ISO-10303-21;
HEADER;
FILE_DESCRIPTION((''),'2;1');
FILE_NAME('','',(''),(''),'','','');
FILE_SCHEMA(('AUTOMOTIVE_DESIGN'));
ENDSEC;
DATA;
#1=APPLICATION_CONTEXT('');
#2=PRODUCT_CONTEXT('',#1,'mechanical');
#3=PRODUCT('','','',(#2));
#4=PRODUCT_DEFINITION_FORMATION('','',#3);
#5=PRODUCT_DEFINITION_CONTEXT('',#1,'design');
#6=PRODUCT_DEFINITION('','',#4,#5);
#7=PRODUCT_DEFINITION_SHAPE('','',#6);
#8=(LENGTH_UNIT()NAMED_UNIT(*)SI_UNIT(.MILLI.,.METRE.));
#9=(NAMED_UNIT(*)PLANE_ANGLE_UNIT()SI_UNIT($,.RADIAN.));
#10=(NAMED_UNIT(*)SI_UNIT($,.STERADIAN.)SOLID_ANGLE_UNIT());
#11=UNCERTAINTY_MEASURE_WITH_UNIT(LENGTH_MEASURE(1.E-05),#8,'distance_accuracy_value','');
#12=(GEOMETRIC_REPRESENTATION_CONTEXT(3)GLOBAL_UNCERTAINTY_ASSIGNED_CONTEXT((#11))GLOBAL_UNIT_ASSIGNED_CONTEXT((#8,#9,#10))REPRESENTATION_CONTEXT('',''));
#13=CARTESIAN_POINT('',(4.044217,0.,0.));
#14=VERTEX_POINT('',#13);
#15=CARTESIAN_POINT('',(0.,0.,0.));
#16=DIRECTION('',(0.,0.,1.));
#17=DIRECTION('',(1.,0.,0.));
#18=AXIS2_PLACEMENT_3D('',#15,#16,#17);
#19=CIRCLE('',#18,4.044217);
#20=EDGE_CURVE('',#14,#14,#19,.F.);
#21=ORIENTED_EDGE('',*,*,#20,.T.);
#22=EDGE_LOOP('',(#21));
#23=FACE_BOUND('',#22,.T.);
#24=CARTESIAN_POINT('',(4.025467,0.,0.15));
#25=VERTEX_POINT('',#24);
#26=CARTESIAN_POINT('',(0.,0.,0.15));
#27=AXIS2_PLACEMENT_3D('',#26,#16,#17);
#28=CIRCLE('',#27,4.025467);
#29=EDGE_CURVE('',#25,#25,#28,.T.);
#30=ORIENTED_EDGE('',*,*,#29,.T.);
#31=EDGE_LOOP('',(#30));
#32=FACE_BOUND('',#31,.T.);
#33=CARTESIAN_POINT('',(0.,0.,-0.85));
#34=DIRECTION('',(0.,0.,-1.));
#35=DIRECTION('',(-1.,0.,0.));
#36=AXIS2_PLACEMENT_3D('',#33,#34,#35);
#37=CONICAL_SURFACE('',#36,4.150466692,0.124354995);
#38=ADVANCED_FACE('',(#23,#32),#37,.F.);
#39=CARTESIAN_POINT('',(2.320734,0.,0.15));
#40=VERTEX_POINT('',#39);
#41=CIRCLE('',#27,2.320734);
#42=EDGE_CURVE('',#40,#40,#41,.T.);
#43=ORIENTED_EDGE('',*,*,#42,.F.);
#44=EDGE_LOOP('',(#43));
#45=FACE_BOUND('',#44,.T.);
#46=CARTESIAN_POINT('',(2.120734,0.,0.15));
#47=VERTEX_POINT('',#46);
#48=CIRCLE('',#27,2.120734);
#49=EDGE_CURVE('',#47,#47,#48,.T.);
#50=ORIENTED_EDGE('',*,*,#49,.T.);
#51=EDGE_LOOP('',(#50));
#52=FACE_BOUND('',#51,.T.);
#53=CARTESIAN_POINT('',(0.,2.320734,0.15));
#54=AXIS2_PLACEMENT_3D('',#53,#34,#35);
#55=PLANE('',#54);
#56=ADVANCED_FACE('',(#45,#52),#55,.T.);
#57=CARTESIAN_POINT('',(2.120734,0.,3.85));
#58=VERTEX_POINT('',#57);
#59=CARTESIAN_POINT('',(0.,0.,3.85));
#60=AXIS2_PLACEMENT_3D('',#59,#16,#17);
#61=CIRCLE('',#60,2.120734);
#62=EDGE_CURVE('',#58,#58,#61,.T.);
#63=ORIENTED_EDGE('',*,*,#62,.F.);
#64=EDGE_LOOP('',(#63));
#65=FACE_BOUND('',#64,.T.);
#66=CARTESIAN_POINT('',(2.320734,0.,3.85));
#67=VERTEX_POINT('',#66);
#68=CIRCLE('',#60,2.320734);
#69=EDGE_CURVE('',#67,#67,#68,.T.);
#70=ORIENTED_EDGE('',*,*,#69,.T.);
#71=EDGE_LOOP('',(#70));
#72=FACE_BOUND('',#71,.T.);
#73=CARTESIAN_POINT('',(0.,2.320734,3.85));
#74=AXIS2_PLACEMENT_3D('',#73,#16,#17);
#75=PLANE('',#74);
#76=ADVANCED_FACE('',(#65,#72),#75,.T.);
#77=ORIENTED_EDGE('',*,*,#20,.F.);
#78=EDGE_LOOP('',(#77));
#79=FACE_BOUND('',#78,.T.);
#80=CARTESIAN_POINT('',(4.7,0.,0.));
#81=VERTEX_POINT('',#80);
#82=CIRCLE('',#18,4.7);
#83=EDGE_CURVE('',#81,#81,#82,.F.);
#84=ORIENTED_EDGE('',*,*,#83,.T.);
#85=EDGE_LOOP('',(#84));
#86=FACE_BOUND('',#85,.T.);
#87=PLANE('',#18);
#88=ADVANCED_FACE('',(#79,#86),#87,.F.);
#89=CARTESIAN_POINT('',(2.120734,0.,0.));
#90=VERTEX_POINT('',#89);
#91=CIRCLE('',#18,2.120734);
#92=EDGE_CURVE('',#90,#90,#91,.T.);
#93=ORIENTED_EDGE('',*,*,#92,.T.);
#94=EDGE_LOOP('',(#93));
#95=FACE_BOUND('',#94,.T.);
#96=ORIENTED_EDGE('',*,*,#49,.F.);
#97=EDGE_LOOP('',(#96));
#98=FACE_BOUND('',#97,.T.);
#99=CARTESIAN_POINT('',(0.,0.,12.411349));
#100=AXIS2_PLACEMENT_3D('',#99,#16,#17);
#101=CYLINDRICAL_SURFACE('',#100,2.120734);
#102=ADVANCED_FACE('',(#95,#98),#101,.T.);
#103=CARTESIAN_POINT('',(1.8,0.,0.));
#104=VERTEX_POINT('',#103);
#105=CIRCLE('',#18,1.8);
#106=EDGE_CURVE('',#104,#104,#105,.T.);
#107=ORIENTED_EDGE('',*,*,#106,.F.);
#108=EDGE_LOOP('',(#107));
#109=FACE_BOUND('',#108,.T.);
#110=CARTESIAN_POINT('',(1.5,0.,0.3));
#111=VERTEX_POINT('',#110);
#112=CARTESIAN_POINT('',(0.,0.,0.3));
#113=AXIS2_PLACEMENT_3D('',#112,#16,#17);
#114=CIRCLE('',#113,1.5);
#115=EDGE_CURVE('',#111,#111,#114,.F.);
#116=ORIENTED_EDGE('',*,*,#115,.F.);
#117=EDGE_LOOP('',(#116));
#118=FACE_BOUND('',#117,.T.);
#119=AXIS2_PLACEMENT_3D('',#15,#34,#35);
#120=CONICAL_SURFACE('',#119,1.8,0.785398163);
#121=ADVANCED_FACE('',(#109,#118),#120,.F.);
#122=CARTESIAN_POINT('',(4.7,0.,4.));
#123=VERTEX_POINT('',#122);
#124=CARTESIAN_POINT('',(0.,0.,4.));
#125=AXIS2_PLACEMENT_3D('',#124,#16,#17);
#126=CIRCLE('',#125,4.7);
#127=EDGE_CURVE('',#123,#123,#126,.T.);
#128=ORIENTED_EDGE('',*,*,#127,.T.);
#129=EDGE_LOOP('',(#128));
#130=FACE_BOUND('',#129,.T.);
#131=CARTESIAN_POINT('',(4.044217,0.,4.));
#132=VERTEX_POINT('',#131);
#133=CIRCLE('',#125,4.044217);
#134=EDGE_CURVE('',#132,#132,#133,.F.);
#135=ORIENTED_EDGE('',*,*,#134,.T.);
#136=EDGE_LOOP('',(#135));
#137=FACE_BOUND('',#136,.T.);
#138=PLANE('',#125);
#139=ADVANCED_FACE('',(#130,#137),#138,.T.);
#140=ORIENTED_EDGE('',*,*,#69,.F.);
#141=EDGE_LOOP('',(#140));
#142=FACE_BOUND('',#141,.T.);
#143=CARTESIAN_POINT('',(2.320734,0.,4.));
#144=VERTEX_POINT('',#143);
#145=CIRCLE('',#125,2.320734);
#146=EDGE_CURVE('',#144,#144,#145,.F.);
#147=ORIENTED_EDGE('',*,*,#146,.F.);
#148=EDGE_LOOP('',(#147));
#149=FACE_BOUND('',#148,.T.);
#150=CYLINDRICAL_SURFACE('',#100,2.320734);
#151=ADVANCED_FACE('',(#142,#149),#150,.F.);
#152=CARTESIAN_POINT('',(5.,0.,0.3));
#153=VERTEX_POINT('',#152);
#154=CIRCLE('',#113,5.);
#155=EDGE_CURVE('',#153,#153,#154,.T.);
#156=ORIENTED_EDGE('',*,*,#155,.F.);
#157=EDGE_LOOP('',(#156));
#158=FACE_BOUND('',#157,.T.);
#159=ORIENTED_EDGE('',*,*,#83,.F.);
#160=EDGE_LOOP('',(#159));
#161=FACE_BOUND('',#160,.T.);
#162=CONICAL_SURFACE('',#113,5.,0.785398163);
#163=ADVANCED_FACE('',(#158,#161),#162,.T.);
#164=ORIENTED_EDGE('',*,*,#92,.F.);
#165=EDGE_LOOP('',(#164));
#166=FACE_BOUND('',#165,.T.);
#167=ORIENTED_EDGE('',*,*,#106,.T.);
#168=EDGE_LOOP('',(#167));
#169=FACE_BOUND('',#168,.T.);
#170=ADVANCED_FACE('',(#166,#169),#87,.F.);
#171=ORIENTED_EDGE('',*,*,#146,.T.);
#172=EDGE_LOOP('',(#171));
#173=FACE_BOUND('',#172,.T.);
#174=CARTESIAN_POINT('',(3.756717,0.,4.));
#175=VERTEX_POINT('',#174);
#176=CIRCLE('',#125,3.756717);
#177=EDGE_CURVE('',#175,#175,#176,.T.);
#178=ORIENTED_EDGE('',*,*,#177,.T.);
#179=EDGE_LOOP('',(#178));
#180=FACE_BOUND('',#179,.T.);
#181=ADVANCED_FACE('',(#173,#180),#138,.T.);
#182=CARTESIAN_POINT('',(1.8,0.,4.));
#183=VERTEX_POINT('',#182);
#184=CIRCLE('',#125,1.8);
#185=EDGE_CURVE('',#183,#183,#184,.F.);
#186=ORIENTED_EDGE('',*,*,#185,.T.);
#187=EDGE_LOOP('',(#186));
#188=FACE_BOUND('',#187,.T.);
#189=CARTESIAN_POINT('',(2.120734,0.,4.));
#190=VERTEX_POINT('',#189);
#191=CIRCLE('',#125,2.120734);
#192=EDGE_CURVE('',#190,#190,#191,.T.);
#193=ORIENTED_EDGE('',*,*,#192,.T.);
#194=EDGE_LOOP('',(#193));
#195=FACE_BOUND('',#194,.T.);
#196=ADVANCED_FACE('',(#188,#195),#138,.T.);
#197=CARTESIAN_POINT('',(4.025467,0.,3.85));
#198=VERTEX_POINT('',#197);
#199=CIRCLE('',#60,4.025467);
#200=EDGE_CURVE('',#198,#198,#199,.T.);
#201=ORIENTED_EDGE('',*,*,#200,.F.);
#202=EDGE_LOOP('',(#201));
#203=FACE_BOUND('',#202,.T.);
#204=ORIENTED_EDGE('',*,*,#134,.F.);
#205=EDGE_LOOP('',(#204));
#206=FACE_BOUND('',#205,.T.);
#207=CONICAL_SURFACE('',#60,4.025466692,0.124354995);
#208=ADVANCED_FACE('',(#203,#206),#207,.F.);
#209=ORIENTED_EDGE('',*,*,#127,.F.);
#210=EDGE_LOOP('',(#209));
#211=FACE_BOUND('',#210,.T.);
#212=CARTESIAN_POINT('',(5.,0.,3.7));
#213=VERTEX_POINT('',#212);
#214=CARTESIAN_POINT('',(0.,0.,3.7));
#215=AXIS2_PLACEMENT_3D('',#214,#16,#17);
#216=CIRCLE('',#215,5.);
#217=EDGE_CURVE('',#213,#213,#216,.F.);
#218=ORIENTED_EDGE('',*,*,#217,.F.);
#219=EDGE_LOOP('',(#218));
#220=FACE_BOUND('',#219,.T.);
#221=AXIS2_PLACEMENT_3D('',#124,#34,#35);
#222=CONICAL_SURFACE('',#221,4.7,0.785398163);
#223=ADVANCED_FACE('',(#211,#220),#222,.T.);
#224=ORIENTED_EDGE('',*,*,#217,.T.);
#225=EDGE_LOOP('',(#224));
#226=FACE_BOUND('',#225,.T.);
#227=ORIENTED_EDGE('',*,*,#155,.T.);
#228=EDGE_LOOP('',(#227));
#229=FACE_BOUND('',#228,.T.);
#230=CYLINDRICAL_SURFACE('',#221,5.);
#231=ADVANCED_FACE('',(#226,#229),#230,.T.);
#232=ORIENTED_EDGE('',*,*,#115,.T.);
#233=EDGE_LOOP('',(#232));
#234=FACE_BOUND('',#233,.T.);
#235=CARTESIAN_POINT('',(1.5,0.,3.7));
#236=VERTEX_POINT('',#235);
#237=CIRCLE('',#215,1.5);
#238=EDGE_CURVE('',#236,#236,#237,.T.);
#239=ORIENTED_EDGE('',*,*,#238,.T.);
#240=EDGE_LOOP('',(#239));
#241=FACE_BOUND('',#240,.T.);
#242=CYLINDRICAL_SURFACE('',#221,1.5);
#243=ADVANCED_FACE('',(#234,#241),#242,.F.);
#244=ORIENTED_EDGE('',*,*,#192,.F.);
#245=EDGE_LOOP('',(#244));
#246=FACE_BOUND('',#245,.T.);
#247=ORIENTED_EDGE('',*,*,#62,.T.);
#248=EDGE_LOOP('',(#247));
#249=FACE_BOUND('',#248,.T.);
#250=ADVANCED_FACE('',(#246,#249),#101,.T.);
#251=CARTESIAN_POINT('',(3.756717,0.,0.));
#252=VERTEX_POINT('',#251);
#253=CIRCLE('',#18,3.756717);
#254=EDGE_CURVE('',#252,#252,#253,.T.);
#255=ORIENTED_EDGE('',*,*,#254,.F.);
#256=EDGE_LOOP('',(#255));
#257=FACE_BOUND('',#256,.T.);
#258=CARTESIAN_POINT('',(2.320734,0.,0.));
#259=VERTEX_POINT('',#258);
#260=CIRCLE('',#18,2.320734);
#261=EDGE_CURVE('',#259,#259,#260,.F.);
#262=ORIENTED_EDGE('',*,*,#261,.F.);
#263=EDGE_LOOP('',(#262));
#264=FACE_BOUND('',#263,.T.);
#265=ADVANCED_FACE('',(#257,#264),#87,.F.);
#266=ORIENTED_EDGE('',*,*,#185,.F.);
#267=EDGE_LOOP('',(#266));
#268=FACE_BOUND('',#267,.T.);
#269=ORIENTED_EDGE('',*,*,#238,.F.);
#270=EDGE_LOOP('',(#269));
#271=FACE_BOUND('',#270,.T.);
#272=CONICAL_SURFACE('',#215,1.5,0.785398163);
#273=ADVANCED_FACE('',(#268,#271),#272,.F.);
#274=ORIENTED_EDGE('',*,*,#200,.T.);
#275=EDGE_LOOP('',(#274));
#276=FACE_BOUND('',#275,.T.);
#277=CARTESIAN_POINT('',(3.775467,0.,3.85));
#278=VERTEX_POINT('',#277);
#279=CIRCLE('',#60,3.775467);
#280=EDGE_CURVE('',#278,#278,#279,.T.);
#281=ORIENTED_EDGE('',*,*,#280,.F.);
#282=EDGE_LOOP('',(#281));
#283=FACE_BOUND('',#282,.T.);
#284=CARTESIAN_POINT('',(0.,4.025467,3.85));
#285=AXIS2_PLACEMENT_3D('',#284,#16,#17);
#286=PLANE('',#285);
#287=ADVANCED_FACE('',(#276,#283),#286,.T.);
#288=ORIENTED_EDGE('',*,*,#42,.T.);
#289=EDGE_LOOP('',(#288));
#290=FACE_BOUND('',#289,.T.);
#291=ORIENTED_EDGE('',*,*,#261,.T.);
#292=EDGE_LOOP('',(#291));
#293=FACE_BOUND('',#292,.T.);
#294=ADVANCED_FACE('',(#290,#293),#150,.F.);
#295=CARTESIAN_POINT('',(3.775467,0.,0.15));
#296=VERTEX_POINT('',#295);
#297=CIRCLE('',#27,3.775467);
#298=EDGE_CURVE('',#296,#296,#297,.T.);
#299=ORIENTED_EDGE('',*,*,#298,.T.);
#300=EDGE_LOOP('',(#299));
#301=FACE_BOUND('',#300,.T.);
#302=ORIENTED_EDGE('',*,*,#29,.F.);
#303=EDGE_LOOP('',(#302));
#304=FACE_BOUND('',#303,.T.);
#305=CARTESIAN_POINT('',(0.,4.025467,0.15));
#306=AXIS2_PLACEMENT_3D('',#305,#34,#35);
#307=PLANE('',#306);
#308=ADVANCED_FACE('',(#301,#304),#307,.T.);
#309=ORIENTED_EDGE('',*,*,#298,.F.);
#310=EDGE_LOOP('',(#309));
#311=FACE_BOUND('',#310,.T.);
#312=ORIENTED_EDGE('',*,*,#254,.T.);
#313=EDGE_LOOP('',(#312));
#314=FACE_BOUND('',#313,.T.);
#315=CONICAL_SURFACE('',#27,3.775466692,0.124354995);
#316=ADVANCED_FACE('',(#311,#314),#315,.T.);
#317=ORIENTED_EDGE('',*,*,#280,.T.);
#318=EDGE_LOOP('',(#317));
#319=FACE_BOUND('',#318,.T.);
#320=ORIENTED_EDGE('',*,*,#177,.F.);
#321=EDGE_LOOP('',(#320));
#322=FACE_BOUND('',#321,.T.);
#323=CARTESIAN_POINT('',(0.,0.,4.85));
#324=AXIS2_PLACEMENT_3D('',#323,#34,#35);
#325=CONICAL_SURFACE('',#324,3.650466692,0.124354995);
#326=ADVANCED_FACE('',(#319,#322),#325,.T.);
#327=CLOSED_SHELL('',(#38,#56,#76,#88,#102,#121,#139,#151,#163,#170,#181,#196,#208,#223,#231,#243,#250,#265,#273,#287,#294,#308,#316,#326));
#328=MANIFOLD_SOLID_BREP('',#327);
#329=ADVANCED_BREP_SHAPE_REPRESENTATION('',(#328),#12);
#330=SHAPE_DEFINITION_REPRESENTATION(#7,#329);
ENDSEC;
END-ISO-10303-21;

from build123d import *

# Parameters (mm, degrees)
CROQUIS1_R              = 5
CROQUIS1_R_2            = 1.5
SALIENTE_EXTRUIR1_DEPTH = 4
CHAFL_N1_SIZE           = 0.3
CROQUIS2_W              = 1
CROQUIS2_H              = 0.2


with BuildPart() as part:
    # Croquis1 → Saliente-Extruir1 (new body)
    with BuildSketch(Plane.XY):
        Circle(CROQUIS1_R)
        Circle(CROQUIS1_R_2, mode=Mode.SUBTRACT)
    extrude(amount=SALIENTE_EXTRUIR1_DEPTH)

    # Chaflán1
    chafl_n1_edges = [part.edges().sort_by_distance(p)[0] for p in [
        (-5, 0, 0),
        (-5, 0, 4),
        (-1.5, 0, 0),
        (-1.5, 0, 4),
    ]]
    chamfer(chafl_n1_edges, length=CHAFL_N1_SIZE)

    # Croquis2 → Cortar-Revolución1 (revolve, cut)
    with BuildSketch(Plane(origin=(0, 0, 0), x_dir=(0, 0, -1), z_dir=(1, 0, 0))):
        Polygon((-4.85, 4.150466692), (-3.85, 4.025466692), (-3.85, 3.775466692), (-4.85, 3.650466692), align=None)
        Polygon((0.85, 3.650466692), (0.85, 4.150466692), (-0.15, 4.025466692), (-0.15, 3.775466692), align=None)
        with Locations((-4.35, 2.220733596)):
            Rectangle(CROQUIS2_W, CROQUIS2_H)
        with Locations((0.35, 2.220733596)):
            Rectangle(CROQUIS2_W, CROQUIS2_H)
    revolve(axis=Axis((0, 0, 12.411349243), (0, 0, -1)), mode=Mode.SUBTRACT)


solid = part.part
